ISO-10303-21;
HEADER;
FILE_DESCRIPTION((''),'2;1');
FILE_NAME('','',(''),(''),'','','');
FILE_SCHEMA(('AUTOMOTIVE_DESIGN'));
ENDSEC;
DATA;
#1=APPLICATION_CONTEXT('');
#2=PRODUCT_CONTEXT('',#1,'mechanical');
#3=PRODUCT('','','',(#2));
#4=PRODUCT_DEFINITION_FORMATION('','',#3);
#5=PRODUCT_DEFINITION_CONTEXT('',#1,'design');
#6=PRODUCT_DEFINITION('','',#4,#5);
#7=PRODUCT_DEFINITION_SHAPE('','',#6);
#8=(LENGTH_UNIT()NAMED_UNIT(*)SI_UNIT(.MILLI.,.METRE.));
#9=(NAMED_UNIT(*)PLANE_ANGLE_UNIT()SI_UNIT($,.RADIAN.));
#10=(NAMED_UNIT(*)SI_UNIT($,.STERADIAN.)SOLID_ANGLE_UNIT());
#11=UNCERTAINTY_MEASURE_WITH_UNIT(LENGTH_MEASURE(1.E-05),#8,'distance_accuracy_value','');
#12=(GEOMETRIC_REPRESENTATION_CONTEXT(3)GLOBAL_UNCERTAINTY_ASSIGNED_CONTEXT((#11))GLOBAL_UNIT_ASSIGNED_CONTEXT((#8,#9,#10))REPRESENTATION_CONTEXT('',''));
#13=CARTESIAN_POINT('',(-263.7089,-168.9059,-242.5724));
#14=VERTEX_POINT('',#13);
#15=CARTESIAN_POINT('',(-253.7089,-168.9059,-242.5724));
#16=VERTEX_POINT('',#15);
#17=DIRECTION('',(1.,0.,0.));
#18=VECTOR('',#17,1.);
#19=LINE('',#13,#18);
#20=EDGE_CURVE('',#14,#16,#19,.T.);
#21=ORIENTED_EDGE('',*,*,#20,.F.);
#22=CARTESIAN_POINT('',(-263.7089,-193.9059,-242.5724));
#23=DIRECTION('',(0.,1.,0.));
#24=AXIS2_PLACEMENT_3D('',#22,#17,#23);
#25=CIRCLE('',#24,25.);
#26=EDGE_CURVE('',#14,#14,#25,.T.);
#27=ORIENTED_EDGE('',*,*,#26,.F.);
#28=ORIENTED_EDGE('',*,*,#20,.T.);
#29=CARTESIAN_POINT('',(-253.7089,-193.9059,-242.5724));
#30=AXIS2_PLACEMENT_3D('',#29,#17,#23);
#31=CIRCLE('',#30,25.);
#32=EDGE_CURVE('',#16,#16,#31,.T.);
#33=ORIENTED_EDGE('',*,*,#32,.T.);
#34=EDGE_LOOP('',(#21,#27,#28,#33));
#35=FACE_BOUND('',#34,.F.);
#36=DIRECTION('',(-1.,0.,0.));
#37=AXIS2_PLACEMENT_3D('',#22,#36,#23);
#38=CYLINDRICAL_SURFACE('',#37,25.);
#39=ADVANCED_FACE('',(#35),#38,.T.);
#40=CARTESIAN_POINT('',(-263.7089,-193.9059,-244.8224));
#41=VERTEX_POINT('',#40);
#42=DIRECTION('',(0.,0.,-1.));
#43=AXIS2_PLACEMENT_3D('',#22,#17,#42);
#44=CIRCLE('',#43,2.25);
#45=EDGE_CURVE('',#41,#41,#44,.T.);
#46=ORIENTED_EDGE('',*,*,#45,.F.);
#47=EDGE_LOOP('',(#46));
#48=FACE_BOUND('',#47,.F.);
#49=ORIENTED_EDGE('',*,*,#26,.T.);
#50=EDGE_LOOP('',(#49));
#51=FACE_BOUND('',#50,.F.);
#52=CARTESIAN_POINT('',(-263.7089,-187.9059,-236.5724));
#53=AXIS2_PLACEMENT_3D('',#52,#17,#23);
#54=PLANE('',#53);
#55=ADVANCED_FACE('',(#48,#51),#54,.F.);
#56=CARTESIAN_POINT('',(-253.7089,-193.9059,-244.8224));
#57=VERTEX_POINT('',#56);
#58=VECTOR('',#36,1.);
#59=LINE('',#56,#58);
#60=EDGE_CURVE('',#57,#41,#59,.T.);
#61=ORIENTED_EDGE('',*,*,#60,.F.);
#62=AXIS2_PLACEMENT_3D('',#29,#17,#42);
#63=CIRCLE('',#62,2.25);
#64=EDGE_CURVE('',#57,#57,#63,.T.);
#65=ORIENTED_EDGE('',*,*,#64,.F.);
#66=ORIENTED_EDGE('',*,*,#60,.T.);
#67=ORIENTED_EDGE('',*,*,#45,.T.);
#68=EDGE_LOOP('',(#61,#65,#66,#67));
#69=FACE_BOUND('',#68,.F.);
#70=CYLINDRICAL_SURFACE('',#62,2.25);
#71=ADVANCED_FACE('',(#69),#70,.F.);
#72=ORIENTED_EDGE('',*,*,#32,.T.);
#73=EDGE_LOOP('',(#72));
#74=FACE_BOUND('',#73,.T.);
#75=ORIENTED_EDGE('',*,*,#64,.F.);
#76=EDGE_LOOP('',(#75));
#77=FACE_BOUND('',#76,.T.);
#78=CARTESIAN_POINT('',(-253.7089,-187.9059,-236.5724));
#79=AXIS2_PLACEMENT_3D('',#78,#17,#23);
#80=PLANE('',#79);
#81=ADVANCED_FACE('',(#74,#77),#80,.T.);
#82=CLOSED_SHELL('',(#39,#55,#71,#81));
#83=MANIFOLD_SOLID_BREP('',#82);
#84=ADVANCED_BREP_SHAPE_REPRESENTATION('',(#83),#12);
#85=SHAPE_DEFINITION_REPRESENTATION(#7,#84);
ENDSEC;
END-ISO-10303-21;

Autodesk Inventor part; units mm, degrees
ref_plane "YZ Plane" through (0, 0, 0) normal (1, 0, 0) x (0, 1, 0)
ref_plane "XZ Plane" through (0, 0, 0) normal (0, 1, 0) x (-1, 0, 0)
ref_plane "XY Plane" through (0, 0, 0) normal (0, 0, 1) x (1, 0, 0)
ref_plane "Work Plane1" through (-263.7089, -187.9059, -236.5724) normal (1, 0, 0) x (0, 1, 0)
sketch "Sketch1" plane through (-263.7089, -187.9059, -236.5724) normal (1, 0, 0) x (0, 1, 0)
  circle A0 centre (-6, -6) radius 25
  point P0 (187.9059, 236.5724)
  dimension "d0" = 50
extrude "Extrusion1" add sketch "Sketch1" along normal blind 10
sketch "Sketch3" plane through (-253.7089, -193.9059, -242.5724) normal (1, 0, 0) x (0, 0, -1)
  circle A0 centre (0, 0) radius 2.25
  point P0 (-242.5724, 193.9059)
  dimension "d7" = 4.5
extrude "Extrusion3" cut sketch "Sketch3" against normal blind 10
properties part number "rodamientos medio"
